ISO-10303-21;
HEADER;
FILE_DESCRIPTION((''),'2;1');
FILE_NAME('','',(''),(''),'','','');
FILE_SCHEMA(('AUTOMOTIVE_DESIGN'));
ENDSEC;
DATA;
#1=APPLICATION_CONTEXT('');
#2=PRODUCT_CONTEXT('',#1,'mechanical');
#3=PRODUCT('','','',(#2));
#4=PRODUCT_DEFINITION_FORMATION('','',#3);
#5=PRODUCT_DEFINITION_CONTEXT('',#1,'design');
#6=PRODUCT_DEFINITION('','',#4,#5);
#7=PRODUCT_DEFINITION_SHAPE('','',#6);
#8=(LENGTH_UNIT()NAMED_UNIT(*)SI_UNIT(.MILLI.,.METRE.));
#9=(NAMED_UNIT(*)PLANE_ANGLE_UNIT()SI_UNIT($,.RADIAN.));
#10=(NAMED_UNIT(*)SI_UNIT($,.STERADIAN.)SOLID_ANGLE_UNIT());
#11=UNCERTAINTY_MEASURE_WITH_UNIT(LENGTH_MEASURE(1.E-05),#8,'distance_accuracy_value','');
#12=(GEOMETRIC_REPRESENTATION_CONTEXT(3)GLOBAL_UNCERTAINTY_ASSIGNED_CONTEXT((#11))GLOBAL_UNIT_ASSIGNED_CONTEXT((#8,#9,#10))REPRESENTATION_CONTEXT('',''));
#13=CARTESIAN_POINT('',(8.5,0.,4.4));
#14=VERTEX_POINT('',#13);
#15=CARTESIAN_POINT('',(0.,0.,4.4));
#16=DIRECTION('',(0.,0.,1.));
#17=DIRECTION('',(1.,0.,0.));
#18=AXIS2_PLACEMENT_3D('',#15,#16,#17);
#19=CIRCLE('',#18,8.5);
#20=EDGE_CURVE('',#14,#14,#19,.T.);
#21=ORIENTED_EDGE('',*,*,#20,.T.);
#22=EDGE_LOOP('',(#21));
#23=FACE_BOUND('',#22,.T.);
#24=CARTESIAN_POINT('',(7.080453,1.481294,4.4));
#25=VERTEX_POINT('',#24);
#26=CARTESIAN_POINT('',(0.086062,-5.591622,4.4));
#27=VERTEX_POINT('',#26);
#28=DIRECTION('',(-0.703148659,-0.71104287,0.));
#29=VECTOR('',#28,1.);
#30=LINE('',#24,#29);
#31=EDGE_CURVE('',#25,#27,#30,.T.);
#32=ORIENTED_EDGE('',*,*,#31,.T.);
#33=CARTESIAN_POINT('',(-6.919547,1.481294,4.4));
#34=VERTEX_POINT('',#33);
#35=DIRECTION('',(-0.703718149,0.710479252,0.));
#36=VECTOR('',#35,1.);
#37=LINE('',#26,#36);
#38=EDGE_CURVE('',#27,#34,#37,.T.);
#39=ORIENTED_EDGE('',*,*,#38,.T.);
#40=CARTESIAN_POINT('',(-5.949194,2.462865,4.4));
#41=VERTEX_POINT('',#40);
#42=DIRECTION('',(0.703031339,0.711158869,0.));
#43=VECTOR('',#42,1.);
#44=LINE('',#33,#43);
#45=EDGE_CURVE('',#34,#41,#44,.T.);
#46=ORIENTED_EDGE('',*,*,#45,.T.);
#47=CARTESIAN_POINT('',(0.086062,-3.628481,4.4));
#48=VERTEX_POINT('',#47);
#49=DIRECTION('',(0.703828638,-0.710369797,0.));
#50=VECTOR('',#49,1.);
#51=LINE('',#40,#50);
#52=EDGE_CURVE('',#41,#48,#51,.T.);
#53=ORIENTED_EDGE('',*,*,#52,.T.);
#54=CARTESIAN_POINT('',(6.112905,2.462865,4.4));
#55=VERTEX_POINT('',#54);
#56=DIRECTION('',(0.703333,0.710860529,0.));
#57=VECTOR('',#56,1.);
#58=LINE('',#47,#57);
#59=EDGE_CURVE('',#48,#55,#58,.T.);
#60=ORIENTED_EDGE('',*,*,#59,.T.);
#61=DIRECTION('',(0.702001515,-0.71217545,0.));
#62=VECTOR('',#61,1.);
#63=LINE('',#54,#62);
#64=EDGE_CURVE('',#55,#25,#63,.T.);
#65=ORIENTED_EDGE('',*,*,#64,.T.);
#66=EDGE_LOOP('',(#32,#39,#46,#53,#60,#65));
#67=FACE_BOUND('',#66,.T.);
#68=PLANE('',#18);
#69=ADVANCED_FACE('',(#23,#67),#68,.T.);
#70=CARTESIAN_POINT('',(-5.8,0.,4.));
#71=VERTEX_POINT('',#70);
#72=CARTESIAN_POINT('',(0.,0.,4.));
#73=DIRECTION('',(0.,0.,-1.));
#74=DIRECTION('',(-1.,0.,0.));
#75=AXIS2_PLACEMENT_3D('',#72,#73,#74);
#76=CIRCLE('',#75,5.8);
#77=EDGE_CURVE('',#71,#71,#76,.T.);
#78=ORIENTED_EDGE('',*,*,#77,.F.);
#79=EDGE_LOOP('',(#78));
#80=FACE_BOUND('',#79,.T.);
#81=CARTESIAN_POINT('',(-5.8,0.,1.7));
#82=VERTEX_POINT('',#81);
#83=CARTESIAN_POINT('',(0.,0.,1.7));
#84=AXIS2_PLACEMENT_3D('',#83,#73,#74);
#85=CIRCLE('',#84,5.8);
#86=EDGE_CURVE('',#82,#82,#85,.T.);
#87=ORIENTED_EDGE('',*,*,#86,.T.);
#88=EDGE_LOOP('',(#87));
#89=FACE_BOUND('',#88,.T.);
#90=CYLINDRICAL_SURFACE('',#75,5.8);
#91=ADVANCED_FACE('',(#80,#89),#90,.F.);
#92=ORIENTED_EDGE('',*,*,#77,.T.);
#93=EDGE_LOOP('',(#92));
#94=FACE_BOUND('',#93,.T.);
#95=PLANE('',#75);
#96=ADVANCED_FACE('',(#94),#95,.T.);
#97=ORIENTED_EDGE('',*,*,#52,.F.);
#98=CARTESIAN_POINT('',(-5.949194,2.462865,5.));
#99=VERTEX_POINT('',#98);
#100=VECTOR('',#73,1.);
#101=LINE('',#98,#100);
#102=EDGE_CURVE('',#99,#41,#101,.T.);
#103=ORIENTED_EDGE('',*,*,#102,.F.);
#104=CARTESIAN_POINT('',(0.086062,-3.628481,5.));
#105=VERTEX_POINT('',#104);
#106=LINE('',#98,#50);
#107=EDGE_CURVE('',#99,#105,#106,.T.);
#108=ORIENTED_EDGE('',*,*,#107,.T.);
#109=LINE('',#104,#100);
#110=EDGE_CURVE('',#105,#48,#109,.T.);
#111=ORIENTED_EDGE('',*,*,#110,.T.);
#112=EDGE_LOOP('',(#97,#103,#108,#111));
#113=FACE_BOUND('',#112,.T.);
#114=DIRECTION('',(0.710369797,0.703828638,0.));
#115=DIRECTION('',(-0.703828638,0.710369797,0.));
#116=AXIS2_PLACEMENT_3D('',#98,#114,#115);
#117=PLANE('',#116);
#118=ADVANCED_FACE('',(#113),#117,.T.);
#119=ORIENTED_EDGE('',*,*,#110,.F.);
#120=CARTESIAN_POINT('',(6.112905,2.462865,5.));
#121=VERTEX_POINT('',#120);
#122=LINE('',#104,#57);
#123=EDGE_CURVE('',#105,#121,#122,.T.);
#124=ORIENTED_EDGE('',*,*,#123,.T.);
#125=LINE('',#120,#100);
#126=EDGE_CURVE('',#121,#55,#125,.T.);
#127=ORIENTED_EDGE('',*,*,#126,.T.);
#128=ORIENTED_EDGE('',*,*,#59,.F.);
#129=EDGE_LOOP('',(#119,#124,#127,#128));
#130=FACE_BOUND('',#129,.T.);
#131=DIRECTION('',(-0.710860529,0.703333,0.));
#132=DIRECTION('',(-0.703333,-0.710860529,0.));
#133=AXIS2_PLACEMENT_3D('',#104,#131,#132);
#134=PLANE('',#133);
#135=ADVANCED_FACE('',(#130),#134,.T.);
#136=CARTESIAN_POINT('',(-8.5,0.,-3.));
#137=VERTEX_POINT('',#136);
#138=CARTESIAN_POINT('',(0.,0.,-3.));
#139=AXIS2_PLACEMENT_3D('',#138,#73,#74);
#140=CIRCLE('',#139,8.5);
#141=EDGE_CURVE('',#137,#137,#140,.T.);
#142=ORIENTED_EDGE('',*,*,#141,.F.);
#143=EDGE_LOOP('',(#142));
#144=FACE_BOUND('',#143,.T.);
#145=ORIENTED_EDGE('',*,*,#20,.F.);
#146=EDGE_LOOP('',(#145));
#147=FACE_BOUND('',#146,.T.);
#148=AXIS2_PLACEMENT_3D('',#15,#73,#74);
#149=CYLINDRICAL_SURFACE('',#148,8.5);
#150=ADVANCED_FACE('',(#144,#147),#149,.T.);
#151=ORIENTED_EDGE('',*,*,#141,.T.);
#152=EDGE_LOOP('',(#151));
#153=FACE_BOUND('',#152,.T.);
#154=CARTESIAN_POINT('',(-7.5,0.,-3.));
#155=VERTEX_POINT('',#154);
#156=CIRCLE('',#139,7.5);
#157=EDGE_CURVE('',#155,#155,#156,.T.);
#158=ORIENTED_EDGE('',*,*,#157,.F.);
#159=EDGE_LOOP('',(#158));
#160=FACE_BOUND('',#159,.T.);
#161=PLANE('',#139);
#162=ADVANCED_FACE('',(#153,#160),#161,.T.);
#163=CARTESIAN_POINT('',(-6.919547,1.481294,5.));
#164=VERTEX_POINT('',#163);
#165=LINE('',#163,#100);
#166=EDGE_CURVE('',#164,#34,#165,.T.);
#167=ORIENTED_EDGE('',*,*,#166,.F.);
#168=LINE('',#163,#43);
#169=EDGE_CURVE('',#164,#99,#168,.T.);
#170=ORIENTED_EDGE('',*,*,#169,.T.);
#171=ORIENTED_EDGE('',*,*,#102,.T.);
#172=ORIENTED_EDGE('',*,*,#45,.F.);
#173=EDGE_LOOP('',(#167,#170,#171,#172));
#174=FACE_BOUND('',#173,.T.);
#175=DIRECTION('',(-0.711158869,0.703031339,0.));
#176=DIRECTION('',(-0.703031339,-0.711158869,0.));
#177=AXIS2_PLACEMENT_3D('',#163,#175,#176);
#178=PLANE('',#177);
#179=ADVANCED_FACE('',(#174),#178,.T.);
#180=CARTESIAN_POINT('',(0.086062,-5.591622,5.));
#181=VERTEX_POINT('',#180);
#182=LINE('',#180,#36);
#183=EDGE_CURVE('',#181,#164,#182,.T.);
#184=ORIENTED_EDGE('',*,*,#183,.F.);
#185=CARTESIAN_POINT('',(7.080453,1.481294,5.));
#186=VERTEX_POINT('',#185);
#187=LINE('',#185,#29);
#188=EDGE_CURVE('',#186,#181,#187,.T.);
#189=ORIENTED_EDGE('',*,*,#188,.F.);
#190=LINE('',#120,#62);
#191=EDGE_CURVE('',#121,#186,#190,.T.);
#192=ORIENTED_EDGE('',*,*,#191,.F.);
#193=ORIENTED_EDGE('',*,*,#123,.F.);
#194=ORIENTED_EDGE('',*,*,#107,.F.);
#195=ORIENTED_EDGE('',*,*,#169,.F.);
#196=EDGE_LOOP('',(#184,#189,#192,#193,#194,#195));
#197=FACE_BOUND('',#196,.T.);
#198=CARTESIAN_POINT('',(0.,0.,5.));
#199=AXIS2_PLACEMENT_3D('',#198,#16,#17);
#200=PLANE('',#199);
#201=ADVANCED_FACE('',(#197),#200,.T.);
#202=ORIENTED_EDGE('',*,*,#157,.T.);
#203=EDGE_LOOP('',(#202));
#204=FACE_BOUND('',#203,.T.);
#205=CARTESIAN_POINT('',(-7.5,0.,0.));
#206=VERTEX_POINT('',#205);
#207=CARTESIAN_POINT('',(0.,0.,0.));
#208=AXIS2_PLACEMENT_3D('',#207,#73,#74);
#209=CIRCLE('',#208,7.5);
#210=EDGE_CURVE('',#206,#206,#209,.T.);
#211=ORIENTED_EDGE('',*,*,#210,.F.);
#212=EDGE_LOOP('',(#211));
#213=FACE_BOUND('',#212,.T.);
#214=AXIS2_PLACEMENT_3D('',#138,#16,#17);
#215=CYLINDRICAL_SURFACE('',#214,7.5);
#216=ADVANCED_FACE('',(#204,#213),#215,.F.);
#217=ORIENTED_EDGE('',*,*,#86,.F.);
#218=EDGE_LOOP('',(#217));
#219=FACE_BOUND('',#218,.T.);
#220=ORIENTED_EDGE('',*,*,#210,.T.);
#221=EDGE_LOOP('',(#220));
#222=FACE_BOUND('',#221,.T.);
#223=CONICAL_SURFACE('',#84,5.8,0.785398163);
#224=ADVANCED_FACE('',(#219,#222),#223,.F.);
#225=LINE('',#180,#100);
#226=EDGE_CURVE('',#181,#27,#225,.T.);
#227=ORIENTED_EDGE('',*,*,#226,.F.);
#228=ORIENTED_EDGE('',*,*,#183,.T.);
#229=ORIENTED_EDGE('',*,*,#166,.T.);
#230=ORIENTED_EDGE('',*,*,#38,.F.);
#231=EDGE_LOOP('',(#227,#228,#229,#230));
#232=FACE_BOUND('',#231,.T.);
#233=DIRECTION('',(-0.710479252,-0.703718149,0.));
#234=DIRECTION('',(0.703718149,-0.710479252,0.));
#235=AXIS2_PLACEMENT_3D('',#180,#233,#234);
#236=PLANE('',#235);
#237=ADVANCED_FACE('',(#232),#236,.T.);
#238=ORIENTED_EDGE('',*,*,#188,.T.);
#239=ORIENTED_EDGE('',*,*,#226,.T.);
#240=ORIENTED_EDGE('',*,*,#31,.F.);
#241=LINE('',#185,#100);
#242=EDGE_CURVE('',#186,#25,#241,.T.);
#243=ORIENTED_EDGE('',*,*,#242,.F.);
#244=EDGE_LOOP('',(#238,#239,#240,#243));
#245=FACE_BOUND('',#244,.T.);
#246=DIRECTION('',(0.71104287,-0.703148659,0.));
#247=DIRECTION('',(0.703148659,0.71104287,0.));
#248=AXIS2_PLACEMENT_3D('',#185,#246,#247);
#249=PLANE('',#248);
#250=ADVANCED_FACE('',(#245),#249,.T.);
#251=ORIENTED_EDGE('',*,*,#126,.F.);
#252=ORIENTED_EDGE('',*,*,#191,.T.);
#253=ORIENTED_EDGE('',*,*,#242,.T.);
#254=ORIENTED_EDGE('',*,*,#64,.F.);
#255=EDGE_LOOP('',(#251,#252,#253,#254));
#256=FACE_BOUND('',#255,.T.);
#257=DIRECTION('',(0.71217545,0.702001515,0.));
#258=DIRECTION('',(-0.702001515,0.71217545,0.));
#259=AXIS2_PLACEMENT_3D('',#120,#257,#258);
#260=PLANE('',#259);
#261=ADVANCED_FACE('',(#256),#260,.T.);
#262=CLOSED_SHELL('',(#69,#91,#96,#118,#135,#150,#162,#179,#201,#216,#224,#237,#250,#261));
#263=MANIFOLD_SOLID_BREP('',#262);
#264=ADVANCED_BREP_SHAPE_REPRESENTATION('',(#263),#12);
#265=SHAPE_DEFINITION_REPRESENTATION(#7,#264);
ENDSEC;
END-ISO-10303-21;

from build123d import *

# Parameters (mm, degrees)
SKETCH1_R           = 8.5
BOSS_EXTRUDE1_DEPTH = 4.4
SKETCH3_R           = 5.8
CUT_EXTRUDE1_DEPTH  = 4
BOSS_EXTRUDE3_START = 3
SKETCH4_R           = 8.5
SKETCH4_R_2         = 7.5
BOSS_EXTRUDE3_DEPTH = 3
BOSS_EXTRUDE4_DEPTH = 0.6


with BuildPart() as part:
    # Sketch1 → Boss-Extrude1 (new body)
    with BuildSketch(Plane.XY):
        Circle(SKETCH1_R)
    extrude(amount=BOSS_EXTRUDE1_DEPTH)

    # Sketch3 → Cut-Extrude1 (cut)
    with BuildSketch(Plane(origin=(0, 0, 0), x_dir=(-1, 0, 0), z_dir=(0, 0, -1))):
        Circle(SKETCH3_R)
    extrude(amount=-CUT_EXTRUDE1_DEPTH, mode=Mode.SUBTRACT)

    # Sketch4 → Boss-Extrude3 (add)
    with BuildSketch(Plane(origin=(0, 0, 0), x_dir=(-1, 0, 0), z_dir=(0, 0, -1)).offset(BOSS_EXTRUDE3_START)):
        Circle(SKETCH4_R)
        Circle(SKETCH4_R_2, mode=Mode.SUBTRACT)
    extrude(amount=-BOSS_EXTRUDE3_DEPTH)

    # Sketch6 → Cut-Revolve1 (revolve, cut)
    with BuildSketch(Plane(origin=(0, 0, 0), x_dir=(1, 0, 0), z_dir=(0, 1, 0)), mode=Mode.PRIVATE) as cut_revolve1_sk:
        Polygon((7.5, 0), (5.8, -1.7), (5.8, 0), align=None)
    revolve(cut_revolve1_sk.sketch.rotate(Axis((0, 0, -5.5), (0, 0, 1)), 180), axis=Axis((0, 0, -5.5), (0, 0, 1)), mode=Mode.SUBTRACT)

    # Sketch2 → Boss-Extrude4 (add)
    with BuildSketch(Plane.XY.offset(4.4)):
        Polygon((0.086062041, -5.591622222), (-6.919546933, 1.481294445), (-5.949194369, 2.462864958), (0.086062041, -3.628481196), (6.11290499, 2.462864958), (7.080453067, 1.481294445), align=None)
    extrude(amount=BOSS_EXTRUDE4_DEPTH)


solid = part.part
